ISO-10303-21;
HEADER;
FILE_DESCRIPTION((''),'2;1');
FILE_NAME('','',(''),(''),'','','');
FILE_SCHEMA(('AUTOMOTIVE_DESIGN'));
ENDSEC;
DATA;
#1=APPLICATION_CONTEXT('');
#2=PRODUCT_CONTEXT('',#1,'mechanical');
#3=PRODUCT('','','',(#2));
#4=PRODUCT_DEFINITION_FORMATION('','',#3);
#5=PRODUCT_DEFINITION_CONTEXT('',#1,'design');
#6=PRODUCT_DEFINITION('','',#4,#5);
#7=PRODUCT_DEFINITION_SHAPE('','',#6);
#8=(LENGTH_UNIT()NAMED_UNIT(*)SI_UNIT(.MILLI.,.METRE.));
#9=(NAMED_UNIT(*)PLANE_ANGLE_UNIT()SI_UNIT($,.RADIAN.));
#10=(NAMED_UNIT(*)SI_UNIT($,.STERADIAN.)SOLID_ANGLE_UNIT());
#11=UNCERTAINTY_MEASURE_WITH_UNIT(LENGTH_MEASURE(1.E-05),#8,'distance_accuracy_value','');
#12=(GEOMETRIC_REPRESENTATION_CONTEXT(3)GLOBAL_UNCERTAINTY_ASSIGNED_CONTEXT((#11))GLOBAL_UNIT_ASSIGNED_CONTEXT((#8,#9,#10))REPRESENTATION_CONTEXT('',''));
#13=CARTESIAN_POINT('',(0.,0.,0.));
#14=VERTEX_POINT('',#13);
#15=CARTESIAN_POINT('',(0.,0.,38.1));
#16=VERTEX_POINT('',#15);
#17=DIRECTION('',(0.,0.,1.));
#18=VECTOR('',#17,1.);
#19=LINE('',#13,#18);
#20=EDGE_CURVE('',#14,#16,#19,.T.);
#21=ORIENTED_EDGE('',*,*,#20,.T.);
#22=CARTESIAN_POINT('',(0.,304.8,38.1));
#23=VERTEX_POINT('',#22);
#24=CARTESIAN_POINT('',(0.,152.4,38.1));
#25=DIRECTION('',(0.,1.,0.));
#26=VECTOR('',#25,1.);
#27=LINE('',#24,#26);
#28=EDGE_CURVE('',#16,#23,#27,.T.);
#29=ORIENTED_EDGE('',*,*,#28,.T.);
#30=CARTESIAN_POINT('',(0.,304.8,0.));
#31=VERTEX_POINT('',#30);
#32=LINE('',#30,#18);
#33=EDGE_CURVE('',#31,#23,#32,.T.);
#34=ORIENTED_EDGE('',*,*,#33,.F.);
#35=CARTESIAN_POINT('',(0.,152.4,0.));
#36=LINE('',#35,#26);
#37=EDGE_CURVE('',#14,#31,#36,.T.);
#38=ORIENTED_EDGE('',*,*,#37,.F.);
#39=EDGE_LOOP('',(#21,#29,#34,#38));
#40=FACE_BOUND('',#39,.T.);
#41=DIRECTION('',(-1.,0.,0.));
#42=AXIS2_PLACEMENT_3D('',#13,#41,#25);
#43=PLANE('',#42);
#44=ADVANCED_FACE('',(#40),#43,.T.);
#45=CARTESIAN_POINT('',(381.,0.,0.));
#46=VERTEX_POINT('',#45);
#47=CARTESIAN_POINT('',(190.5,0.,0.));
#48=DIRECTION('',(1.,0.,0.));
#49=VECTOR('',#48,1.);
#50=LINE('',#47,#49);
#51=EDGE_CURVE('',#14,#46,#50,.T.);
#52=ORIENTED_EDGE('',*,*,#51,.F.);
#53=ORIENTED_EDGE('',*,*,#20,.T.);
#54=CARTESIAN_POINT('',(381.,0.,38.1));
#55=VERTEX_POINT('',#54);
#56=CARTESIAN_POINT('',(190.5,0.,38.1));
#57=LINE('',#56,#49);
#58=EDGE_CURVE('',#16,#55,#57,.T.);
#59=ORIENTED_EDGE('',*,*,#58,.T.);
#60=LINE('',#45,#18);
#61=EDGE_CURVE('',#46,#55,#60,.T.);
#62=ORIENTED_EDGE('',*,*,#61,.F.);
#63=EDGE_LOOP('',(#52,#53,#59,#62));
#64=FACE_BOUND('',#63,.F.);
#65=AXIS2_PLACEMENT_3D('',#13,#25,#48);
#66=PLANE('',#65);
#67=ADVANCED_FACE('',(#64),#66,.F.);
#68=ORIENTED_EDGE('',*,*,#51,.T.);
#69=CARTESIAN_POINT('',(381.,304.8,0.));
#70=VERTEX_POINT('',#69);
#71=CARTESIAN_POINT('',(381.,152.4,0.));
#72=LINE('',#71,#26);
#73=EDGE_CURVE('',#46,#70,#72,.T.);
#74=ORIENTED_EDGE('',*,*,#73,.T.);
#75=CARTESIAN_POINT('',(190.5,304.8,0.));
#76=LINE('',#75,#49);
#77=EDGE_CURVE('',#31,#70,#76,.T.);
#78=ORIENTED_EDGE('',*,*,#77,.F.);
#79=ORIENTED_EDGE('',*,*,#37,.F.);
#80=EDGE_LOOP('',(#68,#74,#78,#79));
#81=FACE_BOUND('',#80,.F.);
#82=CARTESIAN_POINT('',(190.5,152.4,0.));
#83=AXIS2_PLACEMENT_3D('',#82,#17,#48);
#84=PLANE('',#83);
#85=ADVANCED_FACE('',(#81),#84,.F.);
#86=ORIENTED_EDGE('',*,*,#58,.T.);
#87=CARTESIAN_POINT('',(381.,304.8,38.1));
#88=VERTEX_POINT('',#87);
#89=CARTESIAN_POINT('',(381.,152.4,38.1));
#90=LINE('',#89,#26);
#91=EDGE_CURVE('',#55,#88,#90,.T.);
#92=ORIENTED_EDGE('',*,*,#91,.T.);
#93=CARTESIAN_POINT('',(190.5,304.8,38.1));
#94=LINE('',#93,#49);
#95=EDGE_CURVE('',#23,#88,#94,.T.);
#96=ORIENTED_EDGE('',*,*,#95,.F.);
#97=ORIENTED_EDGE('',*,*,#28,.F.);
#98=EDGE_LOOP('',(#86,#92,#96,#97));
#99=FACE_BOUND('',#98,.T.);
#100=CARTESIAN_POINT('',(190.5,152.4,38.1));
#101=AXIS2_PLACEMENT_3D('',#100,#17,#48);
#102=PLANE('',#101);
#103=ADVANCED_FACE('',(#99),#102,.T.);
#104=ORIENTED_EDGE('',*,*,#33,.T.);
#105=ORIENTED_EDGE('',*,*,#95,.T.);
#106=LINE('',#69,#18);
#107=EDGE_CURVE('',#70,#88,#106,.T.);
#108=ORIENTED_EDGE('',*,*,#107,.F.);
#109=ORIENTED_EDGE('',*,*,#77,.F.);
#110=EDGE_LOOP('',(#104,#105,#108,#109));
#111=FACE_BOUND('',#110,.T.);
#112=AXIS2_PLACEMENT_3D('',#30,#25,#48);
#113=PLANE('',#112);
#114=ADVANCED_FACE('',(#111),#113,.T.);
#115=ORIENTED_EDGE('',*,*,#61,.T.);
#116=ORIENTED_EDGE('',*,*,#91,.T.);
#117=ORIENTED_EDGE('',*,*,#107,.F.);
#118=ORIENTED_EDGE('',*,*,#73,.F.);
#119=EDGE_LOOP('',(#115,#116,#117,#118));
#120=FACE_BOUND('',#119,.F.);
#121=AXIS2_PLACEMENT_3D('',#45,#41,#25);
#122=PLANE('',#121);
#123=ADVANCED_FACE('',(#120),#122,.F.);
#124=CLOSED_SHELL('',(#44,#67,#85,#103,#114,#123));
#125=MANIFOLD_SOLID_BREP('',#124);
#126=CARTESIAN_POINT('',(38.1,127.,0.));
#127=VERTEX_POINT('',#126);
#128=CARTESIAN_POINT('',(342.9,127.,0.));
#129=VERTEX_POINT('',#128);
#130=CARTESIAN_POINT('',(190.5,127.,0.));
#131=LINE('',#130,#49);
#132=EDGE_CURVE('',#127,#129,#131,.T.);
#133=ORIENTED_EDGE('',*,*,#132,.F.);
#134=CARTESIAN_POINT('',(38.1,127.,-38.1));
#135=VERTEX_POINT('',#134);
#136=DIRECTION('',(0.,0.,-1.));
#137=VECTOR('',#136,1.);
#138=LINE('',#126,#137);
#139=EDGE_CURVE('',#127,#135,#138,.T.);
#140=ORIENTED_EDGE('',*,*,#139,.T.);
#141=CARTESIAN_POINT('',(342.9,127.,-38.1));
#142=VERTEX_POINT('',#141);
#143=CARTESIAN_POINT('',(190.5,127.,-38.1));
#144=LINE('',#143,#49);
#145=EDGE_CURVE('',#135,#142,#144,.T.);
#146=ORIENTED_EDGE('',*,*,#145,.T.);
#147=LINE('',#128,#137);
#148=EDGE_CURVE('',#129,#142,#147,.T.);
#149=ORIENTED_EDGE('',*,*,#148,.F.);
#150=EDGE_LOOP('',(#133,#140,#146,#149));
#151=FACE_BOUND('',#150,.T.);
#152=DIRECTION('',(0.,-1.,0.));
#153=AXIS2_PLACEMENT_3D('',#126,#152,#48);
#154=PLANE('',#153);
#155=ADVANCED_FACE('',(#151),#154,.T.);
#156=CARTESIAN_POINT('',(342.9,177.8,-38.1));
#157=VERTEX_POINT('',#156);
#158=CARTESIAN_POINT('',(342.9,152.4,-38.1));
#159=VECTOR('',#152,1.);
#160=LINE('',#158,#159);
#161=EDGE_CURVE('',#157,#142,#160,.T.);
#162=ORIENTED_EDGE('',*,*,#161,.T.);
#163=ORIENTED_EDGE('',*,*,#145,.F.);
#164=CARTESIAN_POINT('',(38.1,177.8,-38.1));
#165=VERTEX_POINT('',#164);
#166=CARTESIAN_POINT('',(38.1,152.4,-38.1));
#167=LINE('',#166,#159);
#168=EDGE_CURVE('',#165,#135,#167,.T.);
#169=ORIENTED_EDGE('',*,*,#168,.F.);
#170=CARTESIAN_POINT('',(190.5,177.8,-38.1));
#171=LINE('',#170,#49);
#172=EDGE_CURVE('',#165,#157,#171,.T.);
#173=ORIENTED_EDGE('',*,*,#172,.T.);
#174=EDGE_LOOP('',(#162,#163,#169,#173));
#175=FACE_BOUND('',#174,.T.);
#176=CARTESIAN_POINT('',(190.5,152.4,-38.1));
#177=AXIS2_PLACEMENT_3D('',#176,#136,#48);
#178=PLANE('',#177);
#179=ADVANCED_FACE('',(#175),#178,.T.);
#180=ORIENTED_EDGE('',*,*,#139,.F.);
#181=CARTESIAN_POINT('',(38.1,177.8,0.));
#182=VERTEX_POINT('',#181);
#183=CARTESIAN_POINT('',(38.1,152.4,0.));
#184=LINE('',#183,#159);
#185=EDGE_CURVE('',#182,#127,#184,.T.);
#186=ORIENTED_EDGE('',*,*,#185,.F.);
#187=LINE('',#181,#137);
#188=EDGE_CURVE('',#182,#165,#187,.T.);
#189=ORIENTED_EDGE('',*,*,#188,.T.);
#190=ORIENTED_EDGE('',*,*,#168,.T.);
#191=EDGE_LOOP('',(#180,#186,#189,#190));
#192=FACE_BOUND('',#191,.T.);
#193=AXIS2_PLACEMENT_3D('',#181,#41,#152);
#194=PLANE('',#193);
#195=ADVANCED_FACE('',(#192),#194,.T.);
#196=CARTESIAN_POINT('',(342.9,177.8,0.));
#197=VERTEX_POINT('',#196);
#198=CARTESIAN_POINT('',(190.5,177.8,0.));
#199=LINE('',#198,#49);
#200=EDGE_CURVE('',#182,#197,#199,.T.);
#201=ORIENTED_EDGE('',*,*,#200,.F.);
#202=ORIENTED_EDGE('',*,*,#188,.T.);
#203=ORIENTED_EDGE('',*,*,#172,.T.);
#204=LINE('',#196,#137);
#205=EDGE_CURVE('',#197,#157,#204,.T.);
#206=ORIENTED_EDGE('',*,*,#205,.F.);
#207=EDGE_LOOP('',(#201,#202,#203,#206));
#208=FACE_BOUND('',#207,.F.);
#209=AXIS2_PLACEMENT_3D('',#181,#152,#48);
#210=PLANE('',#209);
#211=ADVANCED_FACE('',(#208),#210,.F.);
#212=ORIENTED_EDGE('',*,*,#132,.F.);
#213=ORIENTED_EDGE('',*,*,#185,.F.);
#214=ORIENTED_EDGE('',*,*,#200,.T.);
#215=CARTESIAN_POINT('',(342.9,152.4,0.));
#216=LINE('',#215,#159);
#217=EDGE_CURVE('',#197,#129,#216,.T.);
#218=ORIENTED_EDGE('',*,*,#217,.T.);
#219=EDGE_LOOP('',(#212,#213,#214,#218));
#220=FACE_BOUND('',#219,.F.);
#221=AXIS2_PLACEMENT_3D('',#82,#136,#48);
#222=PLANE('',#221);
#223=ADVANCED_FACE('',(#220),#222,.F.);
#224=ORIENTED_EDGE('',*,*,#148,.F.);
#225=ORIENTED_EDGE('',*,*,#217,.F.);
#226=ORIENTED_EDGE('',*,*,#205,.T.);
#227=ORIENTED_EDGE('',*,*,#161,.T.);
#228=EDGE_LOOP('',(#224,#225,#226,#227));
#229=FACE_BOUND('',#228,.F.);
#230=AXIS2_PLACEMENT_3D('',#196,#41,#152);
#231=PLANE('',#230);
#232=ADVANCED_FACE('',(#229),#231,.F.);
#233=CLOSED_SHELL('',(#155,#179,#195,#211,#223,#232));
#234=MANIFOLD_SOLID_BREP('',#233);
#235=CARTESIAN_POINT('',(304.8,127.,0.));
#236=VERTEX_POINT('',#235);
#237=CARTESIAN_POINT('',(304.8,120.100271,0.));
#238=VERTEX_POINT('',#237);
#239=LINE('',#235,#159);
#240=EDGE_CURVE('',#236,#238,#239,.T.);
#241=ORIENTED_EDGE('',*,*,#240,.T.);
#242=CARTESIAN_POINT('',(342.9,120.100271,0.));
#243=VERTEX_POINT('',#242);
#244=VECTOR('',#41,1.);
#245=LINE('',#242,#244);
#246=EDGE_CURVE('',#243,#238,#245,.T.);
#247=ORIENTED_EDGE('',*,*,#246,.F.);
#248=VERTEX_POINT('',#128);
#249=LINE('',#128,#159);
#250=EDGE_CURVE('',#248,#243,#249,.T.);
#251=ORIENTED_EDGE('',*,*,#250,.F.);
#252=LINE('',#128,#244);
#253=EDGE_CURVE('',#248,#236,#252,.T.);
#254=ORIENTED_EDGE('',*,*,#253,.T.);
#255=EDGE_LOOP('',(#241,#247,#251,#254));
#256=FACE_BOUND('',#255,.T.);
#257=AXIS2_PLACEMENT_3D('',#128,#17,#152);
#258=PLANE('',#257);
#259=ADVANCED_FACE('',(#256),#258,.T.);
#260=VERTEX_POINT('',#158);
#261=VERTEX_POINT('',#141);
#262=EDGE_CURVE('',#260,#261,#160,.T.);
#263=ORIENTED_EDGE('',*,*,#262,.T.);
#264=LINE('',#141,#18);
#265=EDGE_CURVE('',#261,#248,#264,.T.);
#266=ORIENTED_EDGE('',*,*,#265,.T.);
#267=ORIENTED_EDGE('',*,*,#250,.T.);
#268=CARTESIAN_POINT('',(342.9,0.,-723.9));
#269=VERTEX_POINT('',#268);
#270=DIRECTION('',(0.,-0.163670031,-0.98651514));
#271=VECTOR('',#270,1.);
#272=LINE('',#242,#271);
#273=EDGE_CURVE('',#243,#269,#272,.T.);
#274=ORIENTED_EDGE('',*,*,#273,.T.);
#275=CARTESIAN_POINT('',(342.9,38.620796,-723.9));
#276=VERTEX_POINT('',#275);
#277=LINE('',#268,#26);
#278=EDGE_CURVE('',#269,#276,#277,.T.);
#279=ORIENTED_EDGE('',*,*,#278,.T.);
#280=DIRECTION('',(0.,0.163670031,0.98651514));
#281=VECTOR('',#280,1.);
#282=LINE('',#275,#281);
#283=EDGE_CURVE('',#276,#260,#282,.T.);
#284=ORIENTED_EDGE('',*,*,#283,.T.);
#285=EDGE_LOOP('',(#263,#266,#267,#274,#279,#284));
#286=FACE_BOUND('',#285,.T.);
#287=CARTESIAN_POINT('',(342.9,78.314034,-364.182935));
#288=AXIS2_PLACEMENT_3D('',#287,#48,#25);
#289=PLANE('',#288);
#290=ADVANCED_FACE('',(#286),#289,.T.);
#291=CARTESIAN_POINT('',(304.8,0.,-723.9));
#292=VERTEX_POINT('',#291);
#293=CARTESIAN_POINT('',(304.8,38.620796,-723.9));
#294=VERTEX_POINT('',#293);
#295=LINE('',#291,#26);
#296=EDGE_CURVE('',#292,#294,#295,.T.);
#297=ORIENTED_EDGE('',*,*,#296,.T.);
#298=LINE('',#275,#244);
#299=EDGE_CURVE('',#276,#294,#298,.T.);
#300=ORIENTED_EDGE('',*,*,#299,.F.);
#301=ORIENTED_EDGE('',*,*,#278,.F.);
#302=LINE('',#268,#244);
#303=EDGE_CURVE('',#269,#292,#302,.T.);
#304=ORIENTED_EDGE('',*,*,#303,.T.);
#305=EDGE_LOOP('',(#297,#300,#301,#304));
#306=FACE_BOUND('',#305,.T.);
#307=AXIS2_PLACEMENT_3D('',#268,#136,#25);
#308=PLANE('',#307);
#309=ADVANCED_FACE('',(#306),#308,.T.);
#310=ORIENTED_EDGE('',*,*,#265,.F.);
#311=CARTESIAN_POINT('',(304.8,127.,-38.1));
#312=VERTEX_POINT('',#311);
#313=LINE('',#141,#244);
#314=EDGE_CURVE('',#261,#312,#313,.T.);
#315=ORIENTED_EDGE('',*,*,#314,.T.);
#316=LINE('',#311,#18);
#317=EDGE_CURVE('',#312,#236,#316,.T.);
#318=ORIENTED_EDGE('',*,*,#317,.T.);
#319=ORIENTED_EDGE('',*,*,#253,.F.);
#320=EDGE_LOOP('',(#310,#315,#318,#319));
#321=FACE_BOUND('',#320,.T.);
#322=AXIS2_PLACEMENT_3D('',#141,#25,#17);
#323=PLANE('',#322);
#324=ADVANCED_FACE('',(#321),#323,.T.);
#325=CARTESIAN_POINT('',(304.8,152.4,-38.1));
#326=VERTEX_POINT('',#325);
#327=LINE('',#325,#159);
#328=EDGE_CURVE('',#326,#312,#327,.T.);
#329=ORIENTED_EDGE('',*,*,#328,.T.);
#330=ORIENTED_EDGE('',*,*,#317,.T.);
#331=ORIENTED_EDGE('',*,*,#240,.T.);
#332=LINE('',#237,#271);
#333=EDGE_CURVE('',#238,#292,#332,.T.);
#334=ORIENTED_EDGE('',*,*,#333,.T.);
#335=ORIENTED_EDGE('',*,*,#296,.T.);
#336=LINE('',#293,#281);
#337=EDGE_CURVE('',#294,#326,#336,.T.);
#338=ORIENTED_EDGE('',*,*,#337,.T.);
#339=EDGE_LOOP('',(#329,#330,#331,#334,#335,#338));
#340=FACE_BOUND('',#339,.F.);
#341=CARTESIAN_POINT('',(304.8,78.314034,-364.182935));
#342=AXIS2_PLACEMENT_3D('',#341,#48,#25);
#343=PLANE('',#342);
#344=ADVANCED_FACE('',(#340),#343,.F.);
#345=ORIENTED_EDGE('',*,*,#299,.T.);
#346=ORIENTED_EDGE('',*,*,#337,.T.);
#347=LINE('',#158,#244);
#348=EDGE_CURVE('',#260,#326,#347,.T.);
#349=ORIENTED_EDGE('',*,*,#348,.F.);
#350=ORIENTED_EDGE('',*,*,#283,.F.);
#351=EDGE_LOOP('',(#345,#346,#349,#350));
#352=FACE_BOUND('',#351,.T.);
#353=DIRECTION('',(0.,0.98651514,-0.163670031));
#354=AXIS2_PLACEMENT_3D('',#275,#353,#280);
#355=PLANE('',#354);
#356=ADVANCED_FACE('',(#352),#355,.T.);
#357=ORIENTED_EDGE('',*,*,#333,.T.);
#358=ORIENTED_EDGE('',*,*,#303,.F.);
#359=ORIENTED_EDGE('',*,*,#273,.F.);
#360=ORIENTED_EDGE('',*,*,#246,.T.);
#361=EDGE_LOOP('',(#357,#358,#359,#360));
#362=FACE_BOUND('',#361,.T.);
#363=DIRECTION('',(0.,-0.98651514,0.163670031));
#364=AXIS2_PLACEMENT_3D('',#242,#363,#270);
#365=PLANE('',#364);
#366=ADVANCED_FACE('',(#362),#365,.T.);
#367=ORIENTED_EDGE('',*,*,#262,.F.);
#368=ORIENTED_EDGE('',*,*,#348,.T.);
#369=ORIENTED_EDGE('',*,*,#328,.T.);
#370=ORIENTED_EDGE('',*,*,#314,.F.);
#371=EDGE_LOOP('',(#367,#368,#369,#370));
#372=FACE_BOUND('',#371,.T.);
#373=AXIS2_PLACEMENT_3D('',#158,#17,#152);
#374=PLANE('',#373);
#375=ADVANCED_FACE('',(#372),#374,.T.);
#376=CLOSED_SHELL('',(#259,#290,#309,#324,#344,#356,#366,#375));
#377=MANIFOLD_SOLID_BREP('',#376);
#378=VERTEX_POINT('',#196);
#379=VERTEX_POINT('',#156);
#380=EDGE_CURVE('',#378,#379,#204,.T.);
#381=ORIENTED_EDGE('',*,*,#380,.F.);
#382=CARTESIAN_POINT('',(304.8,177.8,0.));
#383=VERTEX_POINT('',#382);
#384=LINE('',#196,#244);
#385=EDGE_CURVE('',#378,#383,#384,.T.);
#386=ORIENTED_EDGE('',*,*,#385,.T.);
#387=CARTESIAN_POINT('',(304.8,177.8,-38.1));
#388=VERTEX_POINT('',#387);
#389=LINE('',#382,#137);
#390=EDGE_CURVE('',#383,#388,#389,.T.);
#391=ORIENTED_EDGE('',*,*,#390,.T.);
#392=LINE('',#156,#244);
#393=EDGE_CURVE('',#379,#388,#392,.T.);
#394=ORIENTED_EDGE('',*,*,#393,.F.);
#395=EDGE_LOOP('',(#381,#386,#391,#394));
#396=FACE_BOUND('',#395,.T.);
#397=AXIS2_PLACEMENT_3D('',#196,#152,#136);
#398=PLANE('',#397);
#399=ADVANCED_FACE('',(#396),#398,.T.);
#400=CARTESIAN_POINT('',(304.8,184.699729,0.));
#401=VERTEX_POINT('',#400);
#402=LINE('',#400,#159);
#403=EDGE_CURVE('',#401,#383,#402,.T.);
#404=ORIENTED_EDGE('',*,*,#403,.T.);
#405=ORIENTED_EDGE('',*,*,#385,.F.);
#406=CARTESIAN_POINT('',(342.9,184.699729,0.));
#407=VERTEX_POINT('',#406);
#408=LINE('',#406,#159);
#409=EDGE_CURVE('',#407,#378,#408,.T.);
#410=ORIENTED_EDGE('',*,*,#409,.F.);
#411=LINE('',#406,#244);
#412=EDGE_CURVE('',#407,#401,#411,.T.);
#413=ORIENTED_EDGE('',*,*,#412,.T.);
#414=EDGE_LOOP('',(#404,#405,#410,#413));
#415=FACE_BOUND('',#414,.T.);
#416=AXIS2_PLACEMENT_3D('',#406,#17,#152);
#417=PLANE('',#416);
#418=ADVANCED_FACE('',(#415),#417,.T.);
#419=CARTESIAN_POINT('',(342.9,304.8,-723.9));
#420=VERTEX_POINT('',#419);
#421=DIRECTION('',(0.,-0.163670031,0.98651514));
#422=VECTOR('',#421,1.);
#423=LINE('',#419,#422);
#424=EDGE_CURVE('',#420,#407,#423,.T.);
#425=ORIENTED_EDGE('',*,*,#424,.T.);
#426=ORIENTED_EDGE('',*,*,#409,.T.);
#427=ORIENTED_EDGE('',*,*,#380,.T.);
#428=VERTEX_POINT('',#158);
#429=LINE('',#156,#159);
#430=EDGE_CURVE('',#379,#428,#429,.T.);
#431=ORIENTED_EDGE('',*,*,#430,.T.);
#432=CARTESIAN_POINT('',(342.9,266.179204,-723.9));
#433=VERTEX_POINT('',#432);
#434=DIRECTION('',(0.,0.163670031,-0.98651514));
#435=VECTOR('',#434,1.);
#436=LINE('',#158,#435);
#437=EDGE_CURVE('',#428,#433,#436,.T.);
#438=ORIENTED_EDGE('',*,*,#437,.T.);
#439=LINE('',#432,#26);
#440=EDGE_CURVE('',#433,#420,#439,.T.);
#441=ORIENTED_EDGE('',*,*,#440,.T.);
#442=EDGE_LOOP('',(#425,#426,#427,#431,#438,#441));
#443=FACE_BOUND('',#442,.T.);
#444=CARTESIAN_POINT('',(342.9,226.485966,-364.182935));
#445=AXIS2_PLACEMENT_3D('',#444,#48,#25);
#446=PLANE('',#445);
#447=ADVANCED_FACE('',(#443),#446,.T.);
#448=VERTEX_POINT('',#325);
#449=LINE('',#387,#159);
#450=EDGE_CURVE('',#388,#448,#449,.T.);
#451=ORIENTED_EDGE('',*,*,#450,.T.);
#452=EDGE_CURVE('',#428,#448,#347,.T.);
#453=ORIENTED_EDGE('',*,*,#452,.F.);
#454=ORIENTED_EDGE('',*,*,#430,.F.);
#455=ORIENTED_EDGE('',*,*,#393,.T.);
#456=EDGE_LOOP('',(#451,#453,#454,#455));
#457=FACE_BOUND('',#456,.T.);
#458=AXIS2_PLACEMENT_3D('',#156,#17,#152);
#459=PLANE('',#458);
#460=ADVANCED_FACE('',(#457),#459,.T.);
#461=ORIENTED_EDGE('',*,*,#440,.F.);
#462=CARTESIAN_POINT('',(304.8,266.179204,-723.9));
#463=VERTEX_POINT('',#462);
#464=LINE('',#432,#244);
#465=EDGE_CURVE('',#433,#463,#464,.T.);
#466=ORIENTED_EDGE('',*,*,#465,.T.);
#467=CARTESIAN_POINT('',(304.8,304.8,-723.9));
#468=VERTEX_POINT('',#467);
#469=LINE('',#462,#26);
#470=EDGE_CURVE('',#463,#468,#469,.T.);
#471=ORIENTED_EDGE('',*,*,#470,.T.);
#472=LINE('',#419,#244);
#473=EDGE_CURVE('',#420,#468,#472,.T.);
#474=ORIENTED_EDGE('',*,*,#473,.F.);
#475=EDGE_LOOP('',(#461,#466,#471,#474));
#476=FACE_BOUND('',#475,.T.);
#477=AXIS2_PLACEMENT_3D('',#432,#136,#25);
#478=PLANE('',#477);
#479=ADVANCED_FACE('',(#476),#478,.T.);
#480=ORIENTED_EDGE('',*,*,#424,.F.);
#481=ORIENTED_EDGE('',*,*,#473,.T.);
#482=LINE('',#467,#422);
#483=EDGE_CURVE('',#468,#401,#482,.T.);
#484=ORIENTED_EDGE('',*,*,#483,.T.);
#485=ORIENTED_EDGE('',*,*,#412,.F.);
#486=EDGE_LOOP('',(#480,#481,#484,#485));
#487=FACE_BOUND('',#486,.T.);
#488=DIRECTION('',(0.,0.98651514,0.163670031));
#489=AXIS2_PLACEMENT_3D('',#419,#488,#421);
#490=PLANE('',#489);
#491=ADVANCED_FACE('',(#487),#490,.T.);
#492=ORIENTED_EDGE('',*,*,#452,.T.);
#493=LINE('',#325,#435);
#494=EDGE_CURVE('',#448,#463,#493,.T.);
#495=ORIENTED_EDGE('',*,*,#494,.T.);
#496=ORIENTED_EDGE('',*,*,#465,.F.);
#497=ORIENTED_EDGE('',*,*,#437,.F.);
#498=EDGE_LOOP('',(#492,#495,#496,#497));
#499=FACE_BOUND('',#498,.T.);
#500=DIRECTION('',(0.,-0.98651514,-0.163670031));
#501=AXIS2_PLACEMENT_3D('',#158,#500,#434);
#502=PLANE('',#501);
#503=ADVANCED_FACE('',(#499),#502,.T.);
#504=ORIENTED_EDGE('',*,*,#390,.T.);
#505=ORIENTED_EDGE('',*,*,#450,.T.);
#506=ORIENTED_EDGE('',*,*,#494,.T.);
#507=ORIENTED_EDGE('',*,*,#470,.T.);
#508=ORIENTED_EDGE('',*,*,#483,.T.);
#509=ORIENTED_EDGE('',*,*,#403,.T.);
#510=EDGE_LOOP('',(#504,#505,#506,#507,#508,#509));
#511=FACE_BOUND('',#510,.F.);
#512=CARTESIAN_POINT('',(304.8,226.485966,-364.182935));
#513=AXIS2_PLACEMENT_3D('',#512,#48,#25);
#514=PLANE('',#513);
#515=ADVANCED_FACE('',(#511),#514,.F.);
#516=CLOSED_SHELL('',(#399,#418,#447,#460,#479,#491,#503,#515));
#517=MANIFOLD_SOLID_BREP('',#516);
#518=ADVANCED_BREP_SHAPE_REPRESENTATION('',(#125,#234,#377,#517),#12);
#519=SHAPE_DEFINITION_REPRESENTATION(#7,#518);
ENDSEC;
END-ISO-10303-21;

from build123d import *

# Parameters (mm, degrees)
F0_W     = 381
F0_H     = 304.8
F1_DEPTH = 38.1
F2_W     = 304.8
F2_H     = 50.8
F3_DEPTH = 38.1
F5_DEPTH = 38.1


with BuildPart() as f1:
    # F0 (on Top) → F1 (new body)
    with BuildSketch(Plane.XY):
        with Locations((190.5, 152.4)):
            Rectangle(F0_W, F0_H)
    extrude(amount=F1_DEPTH)


with BuildPart() as f3:
    # F2 (on face) → F3 (new body)
    with BuildSketch(Plane(origin=(0, 0, 0), x_dir=(1, 0, 0), z_dir=(0, 0, -1))):
        with Locations((190.5, -152.4)):
            Rectangle(F2_W, F2_H)
    extrude(amount=F3_DEPTH)


with BuildPart() as f5:
    # F4 (on face) → F5 (new body)
    with BuildSketch(Plane.YZ.offset(342.9)):
        Polygon((127, 0), (120.100271, 0), (0, -723.9), (38.620796, -723.9), (152.4, -38.1), (127, -38.1), align=None)
        Polygon((177.8, -38.1), (152.4, -38.1), (266.179204, -723.9), (304.8, -723.9), (184.699729, 0), (177.8, 0), align=None)
    extrude(amount=-F5_DEPTH)


solid = Compound([f1.part, f3.part, f5.part])
